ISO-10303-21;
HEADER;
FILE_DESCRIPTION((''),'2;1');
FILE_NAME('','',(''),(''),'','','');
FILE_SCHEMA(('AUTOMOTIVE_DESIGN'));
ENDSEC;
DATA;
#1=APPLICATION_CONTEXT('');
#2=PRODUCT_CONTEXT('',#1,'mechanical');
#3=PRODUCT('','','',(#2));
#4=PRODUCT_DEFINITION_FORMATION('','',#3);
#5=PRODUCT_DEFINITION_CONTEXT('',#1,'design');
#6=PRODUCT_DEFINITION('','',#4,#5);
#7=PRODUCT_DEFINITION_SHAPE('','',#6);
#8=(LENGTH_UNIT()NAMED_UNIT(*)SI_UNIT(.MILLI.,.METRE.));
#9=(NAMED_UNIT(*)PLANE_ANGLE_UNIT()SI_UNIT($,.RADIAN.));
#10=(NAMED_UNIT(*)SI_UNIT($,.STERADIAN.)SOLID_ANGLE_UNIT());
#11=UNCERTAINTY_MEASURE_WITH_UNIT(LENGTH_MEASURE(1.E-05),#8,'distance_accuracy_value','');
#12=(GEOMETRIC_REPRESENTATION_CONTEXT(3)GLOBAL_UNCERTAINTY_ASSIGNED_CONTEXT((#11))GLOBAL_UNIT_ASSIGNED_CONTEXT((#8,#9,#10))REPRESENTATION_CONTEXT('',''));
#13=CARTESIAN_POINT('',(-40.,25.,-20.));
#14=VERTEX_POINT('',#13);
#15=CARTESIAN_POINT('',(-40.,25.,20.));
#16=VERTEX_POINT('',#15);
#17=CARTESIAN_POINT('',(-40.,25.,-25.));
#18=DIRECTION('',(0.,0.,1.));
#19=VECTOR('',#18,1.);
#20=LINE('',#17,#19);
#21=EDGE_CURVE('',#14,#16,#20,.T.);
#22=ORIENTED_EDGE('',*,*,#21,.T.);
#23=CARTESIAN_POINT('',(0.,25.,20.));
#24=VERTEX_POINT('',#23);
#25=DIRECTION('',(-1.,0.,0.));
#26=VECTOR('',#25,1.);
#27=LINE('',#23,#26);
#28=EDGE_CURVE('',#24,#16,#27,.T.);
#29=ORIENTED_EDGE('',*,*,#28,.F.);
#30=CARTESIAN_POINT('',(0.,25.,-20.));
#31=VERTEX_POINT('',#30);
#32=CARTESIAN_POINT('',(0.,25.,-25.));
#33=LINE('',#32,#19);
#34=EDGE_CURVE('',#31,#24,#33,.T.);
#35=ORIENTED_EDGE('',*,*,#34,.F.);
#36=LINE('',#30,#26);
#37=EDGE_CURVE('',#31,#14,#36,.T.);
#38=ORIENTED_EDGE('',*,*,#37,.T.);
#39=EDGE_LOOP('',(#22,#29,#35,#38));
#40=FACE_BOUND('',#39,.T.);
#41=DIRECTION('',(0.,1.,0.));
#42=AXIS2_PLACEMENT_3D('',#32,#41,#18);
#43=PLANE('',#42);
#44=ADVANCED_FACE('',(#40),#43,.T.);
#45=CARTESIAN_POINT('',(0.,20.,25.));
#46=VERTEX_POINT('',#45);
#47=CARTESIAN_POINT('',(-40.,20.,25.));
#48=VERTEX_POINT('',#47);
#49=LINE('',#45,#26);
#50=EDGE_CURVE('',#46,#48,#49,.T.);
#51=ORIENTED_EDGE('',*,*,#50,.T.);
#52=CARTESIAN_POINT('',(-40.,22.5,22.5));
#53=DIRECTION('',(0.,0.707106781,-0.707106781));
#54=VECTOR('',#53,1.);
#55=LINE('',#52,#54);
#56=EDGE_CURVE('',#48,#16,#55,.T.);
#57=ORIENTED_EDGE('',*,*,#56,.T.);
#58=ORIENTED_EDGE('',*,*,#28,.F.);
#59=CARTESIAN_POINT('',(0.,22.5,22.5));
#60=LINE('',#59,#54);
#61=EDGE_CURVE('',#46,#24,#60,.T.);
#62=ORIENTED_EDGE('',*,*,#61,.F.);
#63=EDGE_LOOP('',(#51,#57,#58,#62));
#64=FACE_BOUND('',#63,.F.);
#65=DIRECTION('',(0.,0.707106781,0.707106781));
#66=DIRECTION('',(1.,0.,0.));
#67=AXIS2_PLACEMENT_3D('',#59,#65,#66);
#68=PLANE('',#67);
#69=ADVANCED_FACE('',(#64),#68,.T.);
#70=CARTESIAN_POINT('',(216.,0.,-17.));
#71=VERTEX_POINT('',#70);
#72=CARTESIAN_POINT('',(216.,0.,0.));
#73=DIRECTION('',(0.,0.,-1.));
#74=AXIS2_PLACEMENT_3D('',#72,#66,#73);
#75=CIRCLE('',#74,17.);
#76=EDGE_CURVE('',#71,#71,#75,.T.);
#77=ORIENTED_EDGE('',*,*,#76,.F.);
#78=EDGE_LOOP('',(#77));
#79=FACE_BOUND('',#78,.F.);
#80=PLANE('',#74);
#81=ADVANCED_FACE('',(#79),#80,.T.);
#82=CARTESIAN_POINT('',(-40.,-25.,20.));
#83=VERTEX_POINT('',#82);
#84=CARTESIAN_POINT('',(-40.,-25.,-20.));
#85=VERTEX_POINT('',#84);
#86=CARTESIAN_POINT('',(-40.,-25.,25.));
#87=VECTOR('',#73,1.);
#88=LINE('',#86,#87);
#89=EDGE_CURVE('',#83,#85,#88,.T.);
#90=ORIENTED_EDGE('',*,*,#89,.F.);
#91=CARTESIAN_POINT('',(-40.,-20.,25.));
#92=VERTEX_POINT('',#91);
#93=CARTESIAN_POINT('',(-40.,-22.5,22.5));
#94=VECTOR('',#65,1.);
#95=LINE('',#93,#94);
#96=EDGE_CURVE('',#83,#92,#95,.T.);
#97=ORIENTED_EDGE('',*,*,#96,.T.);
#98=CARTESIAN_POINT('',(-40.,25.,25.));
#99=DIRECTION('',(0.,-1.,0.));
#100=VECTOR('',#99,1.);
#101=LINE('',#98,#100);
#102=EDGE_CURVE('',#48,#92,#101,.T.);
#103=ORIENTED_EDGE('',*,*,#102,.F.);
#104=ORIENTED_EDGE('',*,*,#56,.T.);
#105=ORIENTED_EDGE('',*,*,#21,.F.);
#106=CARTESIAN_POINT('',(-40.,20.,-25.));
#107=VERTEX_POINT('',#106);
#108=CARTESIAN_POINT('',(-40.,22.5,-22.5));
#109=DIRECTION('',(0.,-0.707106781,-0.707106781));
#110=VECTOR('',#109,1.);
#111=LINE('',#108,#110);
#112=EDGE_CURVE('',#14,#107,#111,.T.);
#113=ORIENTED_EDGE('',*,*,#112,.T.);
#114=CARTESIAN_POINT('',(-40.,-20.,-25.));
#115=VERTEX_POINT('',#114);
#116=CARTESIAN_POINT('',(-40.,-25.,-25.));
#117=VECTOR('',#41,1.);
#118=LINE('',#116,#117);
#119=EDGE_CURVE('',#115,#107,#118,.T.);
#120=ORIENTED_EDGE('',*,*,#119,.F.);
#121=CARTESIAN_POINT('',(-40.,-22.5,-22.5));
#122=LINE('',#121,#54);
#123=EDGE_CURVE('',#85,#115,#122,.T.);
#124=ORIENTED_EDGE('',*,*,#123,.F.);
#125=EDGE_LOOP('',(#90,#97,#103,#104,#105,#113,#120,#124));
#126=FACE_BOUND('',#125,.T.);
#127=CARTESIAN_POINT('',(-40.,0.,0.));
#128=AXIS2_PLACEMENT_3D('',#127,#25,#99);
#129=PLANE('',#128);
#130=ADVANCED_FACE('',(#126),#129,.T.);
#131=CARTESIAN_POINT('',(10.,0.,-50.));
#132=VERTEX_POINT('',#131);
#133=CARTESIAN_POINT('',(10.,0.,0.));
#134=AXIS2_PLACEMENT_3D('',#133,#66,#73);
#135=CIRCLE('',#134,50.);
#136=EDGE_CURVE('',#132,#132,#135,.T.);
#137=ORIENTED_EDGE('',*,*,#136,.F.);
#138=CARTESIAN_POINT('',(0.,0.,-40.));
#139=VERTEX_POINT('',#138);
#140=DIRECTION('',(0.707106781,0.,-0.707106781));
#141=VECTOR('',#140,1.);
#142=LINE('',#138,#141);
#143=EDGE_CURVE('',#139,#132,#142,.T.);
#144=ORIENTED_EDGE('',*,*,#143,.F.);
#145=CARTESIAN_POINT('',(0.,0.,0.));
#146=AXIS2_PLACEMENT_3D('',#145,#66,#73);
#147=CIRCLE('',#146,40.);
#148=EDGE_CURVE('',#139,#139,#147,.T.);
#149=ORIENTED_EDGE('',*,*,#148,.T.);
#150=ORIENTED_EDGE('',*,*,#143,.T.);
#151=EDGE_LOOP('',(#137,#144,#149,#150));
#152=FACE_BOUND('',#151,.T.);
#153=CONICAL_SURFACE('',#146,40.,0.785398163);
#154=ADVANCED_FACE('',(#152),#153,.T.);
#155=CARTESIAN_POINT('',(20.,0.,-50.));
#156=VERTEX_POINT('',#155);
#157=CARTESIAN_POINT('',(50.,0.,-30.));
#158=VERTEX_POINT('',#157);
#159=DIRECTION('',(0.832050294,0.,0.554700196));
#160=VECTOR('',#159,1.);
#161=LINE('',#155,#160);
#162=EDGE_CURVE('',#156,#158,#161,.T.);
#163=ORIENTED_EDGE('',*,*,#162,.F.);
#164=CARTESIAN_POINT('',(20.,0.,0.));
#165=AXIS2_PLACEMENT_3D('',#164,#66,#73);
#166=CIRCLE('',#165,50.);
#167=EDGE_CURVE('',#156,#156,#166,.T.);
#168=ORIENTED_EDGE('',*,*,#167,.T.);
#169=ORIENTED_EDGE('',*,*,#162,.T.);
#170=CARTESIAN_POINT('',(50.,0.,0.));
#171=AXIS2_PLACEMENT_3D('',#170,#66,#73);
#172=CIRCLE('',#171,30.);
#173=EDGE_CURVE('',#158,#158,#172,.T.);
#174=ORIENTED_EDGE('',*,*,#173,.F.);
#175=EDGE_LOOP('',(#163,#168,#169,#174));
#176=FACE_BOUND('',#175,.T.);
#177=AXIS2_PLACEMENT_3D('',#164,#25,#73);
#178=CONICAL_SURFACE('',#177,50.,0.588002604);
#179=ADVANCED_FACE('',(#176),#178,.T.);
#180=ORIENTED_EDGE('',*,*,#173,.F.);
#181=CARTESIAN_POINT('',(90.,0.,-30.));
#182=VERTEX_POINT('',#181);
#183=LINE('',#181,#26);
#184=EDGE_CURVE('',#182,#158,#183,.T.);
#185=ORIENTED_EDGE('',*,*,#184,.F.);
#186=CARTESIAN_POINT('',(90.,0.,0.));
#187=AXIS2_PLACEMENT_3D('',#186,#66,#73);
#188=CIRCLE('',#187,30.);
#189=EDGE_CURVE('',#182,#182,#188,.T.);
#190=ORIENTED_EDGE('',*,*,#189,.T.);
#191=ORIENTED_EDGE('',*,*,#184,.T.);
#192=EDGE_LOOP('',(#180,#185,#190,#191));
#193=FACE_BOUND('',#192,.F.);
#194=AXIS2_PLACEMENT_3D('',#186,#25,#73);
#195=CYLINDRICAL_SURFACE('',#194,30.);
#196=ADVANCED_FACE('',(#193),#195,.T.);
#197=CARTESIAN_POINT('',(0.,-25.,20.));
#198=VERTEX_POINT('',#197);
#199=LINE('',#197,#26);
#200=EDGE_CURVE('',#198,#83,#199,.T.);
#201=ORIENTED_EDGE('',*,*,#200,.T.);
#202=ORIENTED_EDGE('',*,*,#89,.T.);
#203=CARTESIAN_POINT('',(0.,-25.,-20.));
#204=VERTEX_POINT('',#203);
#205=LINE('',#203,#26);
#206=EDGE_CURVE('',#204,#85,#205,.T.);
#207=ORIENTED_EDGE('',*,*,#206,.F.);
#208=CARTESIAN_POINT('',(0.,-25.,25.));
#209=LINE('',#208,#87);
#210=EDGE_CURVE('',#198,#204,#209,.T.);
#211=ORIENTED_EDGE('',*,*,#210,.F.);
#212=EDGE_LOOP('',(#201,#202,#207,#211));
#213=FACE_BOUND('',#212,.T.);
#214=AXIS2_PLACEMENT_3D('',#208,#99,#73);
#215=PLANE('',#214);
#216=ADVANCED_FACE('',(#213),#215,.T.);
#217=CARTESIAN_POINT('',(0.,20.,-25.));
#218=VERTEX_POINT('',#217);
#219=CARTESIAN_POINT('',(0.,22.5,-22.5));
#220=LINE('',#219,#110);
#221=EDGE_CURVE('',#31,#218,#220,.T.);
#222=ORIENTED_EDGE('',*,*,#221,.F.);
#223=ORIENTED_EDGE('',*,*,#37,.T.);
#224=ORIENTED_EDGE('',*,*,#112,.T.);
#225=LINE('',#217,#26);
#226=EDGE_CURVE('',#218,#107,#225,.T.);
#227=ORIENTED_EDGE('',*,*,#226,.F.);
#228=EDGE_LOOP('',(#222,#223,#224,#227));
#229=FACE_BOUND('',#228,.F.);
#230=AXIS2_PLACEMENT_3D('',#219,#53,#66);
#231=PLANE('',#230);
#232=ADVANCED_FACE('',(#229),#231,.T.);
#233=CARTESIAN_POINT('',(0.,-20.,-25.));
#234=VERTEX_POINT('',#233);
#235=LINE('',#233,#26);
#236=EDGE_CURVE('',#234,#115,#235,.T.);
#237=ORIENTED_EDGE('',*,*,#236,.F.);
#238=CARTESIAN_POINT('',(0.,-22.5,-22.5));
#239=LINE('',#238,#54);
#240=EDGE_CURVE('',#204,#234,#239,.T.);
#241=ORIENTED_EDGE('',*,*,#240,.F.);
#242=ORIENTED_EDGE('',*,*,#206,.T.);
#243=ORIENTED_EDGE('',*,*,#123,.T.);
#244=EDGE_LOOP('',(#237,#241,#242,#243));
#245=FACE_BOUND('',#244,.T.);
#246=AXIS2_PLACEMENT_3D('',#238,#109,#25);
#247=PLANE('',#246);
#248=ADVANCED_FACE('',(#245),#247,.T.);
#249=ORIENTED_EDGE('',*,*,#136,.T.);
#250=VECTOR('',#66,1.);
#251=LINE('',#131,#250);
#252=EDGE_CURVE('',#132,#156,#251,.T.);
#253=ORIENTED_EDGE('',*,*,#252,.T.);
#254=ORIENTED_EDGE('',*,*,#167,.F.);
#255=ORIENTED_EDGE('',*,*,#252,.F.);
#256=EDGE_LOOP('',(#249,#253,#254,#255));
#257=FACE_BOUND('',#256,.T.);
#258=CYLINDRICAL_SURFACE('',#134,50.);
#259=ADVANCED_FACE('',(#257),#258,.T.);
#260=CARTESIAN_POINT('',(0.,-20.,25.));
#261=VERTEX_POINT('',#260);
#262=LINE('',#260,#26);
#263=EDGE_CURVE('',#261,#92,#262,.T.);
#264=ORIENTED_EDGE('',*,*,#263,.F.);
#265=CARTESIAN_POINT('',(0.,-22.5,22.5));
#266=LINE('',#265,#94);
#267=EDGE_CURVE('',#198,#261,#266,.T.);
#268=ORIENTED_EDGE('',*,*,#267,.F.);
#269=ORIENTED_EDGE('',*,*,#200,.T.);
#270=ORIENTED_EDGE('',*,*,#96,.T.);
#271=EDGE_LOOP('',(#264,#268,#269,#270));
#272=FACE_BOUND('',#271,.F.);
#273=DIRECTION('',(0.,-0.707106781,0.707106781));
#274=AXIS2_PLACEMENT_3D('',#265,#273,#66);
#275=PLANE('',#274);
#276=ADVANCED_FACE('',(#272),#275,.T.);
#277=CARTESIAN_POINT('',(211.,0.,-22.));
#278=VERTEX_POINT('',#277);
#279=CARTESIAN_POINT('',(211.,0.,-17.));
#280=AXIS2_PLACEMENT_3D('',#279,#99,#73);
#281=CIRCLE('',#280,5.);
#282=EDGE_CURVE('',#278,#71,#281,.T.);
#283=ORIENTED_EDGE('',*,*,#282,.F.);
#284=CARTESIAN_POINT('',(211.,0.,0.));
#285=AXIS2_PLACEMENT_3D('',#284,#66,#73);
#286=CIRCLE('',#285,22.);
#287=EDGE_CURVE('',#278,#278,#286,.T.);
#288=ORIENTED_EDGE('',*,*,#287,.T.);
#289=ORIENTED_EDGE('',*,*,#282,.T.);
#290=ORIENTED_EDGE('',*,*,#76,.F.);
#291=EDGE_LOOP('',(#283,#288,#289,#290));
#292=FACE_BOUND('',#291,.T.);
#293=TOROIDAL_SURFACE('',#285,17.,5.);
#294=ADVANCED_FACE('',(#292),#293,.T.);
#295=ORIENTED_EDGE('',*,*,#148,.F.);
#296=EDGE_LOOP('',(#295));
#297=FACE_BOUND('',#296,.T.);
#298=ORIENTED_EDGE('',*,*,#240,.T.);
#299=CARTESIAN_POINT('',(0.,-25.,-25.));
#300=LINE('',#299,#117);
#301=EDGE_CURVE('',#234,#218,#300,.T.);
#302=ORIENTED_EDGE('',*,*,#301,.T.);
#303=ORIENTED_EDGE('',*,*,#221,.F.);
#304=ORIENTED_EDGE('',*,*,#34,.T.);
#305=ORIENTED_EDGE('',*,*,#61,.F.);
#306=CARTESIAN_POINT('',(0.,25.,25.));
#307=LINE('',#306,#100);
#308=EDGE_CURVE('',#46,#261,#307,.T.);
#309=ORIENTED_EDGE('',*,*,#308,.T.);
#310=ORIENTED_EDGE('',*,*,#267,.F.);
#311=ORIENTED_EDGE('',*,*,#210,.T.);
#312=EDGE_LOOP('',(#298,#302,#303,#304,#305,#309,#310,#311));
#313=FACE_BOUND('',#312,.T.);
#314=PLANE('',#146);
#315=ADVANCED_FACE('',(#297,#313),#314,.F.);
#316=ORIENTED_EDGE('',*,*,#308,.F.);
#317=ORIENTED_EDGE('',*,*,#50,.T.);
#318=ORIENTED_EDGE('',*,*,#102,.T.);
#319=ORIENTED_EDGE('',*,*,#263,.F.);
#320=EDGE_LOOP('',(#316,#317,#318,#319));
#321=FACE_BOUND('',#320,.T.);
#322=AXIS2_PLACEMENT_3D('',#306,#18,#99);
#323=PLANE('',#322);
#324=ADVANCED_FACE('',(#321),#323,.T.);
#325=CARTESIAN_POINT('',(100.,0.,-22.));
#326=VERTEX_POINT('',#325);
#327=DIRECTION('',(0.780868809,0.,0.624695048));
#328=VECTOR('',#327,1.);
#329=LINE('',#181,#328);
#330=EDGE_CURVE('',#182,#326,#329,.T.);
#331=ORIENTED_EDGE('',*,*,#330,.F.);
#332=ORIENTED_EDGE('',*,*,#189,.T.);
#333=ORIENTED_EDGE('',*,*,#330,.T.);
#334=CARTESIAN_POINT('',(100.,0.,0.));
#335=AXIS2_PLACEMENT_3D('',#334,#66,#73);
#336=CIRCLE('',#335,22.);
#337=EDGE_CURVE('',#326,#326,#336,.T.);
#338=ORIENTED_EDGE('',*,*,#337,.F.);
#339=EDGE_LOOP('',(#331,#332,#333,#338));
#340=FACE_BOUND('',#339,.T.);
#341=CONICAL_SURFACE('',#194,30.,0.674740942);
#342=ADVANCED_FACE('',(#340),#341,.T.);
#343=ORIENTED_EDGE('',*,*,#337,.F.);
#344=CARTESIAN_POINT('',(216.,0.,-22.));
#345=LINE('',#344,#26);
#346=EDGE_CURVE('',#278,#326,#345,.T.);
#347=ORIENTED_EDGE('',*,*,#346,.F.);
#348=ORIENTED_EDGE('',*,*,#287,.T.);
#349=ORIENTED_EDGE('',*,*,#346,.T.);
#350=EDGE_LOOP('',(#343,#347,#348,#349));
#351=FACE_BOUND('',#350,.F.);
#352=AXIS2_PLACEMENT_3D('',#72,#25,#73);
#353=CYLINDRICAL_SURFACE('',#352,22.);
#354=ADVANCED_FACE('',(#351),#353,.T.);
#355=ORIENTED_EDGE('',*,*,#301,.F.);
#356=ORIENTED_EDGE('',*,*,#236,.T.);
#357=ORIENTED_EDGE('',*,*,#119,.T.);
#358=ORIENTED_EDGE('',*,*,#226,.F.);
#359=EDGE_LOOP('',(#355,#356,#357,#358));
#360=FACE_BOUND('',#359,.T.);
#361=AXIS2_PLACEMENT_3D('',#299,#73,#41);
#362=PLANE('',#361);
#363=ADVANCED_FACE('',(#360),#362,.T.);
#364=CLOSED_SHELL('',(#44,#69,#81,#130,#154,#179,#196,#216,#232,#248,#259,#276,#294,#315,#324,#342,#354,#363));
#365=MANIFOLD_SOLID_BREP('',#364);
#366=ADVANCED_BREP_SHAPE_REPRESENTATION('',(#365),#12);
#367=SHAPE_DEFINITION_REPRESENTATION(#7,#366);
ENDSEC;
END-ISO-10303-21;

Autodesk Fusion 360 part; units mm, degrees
sketch "Sketch1" plane through (0, 0, 0) normal (0, 1, 0) x (1, 0, 0) in component "Shaft02"
  line L0 (0, 0) -> (0, 40)
  line L1 (0, 40) -> (10, 50)
  line L2 (0, 40) -> (22.4585, 40) construction
  line L3 (10, 50) -> (10, 0)
  line L4 (0, 0) -> (50, 0)
  line L5 (50, 0) -> (50, 30)
  line L6 (10, 50) -> (20, 50)
  line L7 (20, 50) -> (50, 30)
  line L8 (50, 0) -> (90, 0)
  line L9 (90, 0) -> (90, 30)
  line L10 (90, 30) -> (50, 30)
  line L11 (50, 30) -> (50, 0)
  line L12 (90, 0) -> (100, 0)
  line L13 (90, 30) -> (100, 22)
  line L14 (100, 0) -> (216, 0)
  line L15 (216, 0) -> (216, 22)
  line L16 (216, 22) -> (100, 22)
  line L17 (100, 22) -> (100, 0)
  dimension "d2" = 40
  dimension "d3" = 45
  dimension "d5" = 50
  dimension "d6" = 50
  dimension "d7" = 30
  dimension "d8" = 10
  dimension "d10" = 40
  dimension "d11" = 30
  dimension "d13" = 10
  dimension "d15" = 116
  dimension "d16" = 22
revolve "Revolve1" add sketch "Sketch1" angle 360 about axis through (100, 0, 0) along (1, 0, 0) in component "Shaft02"
sketch "Sketch2" plane through (0, 0, 0) normal (-1, 0, 0) x (0, -1, 0) in component "Shaft02"
  circle A0 centre (0, 0) radius 40
  line L0 (25, -25) -> (-25, -25)
  line L1 (-25, -25) -> (-25, 25)
  line L2 (-25, 25) -> (25, 25)
  line L3 (25, 25) -> (25, -25)
  line L4 (25, -25) -> (-25, 25) construction
  line L5 (-25, -25) -> (25, 25) construction
  dimension "d19" = 50
  dimension "d20" = 50
extrude "Extrude1" add sketch "Sketch2" along normal blind 40 contours L0 L1 L2 L3 in component "Shaft02"
chamfer "Chamfer1" distance 5 angle 45 4 edges at (-20, -25, 25) (-20, 25, 25) (-20, -25, -25) (-20, 25, -25) in component "Shaft02"
fillet "Fillet1" radius 5 1 edges at (216, -7.9555, 20.5112) in component "Shaft02"
component "Shaft02" placed x (1, 0, 0) y (0, 1, 0) z (0, 0, 1) at (0, 0, 0)
